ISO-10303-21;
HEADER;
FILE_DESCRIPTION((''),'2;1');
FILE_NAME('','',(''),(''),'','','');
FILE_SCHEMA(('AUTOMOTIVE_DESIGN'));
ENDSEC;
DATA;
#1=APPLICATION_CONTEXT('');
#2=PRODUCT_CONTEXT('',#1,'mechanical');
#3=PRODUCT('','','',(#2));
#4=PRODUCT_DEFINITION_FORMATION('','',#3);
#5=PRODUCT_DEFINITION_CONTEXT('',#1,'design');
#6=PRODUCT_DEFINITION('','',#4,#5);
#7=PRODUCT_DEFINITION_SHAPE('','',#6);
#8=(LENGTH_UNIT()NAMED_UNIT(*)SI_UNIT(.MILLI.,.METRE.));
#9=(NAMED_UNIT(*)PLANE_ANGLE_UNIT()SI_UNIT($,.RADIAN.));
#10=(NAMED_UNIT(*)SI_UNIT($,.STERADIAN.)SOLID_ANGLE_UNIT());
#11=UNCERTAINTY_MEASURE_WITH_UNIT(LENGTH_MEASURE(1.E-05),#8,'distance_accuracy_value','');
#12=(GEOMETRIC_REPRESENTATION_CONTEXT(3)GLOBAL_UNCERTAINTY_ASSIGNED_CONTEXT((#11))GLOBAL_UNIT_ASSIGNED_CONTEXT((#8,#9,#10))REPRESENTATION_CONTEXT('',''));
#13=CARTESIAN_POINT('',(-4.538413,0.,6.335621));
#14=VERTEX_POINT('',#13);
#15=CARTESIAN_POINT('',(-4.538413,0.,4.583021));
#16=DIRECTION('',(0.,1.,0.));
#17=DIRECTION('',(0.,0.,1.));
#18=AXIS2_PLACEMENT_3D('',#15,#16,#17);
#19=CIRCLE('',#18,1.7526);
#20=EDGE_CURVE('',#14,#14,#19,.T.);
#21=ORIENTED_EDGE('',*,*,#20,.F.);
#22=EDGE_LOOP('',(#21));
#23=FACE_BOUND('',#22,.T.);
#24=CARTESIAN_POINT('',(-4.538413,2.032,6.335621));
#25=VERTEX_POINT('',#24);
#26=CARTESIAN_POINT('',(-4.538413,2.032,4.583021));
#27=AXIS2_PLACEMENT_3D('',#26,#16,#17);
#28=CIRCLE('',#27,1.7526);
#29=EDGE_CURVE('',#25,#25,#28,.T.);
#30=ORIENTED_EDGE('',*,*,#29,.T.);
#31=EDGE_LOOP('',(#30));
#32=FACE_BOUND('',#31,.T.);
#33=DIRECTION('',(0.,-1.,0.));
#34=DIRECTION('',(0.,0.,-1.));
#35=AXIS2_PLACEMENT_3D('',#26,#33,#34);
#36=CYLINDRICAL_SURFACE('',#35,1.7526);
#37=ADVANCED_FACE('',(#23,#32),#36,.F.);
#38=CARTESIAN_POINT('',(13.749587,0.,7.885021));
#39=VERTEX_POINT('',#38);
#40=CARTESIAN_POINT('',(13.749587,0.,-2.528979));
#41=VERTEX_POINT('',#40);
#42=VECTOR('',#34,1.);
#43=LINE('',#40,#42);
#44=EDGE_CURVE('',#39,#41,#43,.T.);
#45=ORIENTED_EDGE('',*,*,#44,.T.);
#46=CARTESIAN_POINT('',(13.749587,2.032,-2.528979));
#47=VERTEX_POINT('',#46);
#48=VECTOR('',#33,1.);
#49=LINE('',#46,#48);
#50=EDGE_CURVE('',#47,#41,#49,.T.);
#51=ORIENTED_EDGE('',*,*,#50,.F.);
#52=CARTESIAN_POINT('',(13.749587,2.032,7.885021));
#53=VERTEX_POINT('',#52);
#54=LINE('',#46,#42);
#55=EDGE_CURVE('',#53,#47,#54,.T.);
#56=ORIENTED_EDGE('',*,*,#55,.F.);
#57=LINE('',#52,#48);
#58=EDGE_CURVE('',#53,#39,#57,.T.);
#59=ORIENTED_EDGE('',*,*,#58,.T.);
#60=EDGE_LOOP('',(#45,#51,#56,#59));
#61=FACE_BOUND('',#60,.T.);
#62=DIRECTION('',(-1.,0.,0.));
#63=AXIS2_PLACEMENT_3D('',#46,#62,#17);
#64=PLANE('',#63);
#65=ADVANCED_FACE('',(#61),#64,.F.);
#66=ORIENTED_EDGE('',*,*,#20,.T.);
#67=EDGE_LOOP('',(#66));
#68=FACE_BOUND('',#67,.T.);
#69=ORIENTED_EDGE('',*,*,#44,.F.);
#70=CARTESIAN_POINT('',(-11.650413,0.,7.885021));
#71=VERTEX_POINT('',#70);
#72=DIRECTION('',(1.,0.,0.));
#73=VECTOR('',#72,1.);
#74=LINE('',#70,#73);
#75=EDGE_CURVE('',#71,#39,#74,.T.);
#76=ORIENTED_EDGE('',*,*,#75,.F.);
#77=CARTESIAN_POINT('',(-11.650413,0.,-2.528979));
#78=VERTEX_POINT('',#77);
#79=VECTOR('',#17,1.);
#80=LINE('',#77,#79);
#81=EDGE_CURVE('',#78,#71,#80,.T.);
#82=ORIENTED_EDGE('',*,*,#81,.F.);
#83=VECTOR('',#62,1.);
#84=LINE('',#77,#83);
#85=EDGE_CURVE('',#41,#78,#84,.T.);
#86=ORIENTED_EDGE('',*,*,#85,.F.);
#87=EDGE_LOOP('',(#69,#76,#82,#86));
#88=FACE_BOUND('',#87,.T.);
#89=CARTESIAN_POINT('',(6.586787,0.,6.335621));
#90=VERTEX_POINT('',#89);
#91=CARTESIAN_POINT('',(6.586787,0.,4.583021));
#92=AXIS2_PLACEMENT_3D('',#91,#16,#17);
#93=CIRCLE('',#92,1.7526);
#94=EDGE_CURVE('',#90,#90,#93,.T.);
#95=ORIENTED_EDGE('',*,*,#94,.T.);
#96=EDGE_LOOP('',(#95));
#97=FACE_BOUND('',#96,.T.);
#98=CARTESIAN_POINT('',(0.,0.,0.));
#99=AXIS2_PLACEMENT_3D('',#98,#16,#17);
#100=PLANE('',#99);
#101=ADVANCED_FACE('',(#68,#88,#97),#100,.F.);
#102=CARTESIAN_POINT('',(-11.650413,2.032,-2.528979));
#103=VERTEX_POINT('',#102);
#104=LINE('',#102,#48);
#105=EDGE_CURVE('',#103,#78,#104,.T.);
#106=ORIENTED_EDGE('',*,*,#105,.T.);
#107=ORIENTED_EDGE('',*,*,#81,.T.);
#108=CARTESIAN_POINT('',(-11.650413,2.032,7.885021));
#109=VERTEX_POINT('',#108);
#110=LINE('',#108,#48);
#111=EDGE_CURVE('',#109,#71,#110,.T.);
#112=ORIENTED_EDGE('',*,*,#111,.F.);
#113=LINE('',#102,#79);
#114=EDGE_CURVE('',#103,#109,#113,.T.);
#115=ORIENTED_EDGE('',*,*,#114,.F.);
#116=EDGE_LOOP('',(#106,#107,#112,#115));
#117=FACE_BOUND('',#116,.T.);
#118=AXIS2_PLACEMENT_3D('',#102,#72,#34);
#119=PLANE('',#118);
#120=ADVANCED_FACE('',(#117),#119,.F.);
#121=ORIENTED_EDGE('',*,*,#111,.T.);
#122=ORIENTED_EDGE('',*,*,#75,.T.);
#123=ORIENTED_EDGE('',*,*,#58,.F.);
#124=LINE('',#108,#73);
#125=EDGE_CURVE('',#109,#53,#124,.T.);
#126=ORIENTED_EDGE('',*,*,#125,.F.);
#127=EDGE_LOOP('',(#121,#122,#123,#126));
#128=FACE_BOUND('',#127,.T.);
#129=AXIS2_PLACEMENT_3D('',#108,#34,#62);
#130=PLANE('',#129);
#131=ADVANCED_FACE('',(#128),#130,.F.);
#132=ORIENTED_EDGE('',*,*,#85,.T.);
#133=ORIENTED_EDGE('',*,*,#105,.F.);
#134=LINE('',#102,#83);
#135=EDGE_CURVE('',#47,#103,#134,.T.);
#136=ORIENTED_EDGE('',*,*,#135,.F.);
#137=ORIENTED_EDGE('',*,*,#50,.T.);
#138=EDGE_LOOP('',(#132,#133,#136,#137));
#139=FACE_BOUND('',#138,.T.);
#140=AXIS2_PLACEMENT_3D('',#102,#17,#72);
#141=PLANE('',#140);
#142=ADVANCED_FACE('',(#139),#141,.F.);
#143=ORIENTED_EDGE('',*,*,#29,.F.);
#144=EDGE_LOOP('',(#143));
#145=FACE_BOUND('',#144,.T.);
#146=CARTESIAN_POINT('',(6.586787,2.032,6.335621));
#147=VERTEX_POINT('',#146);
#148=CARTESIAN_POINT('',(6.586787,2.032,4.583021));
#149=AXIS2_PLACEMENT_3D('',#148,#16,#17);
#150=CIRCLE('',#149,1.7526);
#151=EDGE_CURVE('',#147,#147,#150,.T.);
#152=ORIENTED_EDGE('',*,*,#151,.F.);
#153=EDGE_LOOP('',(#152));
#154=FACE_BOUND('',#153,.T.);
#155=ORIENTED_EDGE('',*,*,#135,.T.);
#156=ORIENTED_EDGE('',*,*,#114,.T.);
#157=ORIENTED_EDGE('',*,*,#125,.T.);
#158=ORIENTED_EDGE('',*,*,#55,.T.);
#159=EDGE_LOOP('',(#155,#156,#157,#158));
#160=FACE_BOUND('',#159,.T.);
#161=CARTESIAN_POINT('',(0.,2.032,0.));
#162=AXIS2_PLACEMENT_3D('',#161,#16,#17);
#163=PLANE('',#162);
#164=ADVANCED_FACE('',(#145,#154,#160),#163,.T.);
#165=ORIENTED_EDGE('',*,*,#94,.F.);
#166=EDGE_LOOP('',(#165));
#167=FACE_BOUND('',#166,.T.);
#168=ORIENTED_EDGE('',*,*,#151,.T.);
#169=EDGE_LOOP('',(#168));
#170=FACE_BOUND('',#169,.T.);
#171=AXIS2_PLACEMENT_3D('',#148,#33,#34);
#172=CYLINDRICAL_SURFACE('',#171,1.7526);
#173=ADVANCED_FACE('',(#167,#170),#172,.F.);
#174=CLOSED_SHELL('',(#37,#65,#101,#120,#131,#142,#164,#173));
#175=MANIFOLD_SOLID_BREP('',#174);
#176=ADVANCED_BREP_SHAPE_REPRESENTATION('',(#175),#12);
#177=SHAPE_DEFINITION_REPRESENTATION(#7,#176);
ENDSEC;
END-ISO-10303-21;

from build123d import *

# Parameters (mm, degrees)
SKETCH1_W           = 25.4
SKETCH1_H           = 10.414
SKETCH1_R           = 1.7526
BOSS_EXTRUDE1_DEPTH = 2.032


with BuildPart() as part:
    # Sketch1 → Boss-Extrude1 (new body)
    with BuildSketch(Plane(origin=(0, 0, 0), x_dir=(1, 0, 0), z_dir=(0, 1, 0))):
        with Locations((1.049586777, -2.678020661)):
            Rectangle(SKETCH1_W, SKETCH1_H)
        with Locations((-4.538413223, -4.583020661)):
            Circle(SKETCH1_R, mode=Mode.SUBTRACT)
        with Locations((6.586786777, -4.583020661)):
            Circle(SKETCH1_R, mode=Mode.SUBTRACT)
    extrude(amount=BOSS_EXTRUDE1_DEPTH)


solid = part.part
